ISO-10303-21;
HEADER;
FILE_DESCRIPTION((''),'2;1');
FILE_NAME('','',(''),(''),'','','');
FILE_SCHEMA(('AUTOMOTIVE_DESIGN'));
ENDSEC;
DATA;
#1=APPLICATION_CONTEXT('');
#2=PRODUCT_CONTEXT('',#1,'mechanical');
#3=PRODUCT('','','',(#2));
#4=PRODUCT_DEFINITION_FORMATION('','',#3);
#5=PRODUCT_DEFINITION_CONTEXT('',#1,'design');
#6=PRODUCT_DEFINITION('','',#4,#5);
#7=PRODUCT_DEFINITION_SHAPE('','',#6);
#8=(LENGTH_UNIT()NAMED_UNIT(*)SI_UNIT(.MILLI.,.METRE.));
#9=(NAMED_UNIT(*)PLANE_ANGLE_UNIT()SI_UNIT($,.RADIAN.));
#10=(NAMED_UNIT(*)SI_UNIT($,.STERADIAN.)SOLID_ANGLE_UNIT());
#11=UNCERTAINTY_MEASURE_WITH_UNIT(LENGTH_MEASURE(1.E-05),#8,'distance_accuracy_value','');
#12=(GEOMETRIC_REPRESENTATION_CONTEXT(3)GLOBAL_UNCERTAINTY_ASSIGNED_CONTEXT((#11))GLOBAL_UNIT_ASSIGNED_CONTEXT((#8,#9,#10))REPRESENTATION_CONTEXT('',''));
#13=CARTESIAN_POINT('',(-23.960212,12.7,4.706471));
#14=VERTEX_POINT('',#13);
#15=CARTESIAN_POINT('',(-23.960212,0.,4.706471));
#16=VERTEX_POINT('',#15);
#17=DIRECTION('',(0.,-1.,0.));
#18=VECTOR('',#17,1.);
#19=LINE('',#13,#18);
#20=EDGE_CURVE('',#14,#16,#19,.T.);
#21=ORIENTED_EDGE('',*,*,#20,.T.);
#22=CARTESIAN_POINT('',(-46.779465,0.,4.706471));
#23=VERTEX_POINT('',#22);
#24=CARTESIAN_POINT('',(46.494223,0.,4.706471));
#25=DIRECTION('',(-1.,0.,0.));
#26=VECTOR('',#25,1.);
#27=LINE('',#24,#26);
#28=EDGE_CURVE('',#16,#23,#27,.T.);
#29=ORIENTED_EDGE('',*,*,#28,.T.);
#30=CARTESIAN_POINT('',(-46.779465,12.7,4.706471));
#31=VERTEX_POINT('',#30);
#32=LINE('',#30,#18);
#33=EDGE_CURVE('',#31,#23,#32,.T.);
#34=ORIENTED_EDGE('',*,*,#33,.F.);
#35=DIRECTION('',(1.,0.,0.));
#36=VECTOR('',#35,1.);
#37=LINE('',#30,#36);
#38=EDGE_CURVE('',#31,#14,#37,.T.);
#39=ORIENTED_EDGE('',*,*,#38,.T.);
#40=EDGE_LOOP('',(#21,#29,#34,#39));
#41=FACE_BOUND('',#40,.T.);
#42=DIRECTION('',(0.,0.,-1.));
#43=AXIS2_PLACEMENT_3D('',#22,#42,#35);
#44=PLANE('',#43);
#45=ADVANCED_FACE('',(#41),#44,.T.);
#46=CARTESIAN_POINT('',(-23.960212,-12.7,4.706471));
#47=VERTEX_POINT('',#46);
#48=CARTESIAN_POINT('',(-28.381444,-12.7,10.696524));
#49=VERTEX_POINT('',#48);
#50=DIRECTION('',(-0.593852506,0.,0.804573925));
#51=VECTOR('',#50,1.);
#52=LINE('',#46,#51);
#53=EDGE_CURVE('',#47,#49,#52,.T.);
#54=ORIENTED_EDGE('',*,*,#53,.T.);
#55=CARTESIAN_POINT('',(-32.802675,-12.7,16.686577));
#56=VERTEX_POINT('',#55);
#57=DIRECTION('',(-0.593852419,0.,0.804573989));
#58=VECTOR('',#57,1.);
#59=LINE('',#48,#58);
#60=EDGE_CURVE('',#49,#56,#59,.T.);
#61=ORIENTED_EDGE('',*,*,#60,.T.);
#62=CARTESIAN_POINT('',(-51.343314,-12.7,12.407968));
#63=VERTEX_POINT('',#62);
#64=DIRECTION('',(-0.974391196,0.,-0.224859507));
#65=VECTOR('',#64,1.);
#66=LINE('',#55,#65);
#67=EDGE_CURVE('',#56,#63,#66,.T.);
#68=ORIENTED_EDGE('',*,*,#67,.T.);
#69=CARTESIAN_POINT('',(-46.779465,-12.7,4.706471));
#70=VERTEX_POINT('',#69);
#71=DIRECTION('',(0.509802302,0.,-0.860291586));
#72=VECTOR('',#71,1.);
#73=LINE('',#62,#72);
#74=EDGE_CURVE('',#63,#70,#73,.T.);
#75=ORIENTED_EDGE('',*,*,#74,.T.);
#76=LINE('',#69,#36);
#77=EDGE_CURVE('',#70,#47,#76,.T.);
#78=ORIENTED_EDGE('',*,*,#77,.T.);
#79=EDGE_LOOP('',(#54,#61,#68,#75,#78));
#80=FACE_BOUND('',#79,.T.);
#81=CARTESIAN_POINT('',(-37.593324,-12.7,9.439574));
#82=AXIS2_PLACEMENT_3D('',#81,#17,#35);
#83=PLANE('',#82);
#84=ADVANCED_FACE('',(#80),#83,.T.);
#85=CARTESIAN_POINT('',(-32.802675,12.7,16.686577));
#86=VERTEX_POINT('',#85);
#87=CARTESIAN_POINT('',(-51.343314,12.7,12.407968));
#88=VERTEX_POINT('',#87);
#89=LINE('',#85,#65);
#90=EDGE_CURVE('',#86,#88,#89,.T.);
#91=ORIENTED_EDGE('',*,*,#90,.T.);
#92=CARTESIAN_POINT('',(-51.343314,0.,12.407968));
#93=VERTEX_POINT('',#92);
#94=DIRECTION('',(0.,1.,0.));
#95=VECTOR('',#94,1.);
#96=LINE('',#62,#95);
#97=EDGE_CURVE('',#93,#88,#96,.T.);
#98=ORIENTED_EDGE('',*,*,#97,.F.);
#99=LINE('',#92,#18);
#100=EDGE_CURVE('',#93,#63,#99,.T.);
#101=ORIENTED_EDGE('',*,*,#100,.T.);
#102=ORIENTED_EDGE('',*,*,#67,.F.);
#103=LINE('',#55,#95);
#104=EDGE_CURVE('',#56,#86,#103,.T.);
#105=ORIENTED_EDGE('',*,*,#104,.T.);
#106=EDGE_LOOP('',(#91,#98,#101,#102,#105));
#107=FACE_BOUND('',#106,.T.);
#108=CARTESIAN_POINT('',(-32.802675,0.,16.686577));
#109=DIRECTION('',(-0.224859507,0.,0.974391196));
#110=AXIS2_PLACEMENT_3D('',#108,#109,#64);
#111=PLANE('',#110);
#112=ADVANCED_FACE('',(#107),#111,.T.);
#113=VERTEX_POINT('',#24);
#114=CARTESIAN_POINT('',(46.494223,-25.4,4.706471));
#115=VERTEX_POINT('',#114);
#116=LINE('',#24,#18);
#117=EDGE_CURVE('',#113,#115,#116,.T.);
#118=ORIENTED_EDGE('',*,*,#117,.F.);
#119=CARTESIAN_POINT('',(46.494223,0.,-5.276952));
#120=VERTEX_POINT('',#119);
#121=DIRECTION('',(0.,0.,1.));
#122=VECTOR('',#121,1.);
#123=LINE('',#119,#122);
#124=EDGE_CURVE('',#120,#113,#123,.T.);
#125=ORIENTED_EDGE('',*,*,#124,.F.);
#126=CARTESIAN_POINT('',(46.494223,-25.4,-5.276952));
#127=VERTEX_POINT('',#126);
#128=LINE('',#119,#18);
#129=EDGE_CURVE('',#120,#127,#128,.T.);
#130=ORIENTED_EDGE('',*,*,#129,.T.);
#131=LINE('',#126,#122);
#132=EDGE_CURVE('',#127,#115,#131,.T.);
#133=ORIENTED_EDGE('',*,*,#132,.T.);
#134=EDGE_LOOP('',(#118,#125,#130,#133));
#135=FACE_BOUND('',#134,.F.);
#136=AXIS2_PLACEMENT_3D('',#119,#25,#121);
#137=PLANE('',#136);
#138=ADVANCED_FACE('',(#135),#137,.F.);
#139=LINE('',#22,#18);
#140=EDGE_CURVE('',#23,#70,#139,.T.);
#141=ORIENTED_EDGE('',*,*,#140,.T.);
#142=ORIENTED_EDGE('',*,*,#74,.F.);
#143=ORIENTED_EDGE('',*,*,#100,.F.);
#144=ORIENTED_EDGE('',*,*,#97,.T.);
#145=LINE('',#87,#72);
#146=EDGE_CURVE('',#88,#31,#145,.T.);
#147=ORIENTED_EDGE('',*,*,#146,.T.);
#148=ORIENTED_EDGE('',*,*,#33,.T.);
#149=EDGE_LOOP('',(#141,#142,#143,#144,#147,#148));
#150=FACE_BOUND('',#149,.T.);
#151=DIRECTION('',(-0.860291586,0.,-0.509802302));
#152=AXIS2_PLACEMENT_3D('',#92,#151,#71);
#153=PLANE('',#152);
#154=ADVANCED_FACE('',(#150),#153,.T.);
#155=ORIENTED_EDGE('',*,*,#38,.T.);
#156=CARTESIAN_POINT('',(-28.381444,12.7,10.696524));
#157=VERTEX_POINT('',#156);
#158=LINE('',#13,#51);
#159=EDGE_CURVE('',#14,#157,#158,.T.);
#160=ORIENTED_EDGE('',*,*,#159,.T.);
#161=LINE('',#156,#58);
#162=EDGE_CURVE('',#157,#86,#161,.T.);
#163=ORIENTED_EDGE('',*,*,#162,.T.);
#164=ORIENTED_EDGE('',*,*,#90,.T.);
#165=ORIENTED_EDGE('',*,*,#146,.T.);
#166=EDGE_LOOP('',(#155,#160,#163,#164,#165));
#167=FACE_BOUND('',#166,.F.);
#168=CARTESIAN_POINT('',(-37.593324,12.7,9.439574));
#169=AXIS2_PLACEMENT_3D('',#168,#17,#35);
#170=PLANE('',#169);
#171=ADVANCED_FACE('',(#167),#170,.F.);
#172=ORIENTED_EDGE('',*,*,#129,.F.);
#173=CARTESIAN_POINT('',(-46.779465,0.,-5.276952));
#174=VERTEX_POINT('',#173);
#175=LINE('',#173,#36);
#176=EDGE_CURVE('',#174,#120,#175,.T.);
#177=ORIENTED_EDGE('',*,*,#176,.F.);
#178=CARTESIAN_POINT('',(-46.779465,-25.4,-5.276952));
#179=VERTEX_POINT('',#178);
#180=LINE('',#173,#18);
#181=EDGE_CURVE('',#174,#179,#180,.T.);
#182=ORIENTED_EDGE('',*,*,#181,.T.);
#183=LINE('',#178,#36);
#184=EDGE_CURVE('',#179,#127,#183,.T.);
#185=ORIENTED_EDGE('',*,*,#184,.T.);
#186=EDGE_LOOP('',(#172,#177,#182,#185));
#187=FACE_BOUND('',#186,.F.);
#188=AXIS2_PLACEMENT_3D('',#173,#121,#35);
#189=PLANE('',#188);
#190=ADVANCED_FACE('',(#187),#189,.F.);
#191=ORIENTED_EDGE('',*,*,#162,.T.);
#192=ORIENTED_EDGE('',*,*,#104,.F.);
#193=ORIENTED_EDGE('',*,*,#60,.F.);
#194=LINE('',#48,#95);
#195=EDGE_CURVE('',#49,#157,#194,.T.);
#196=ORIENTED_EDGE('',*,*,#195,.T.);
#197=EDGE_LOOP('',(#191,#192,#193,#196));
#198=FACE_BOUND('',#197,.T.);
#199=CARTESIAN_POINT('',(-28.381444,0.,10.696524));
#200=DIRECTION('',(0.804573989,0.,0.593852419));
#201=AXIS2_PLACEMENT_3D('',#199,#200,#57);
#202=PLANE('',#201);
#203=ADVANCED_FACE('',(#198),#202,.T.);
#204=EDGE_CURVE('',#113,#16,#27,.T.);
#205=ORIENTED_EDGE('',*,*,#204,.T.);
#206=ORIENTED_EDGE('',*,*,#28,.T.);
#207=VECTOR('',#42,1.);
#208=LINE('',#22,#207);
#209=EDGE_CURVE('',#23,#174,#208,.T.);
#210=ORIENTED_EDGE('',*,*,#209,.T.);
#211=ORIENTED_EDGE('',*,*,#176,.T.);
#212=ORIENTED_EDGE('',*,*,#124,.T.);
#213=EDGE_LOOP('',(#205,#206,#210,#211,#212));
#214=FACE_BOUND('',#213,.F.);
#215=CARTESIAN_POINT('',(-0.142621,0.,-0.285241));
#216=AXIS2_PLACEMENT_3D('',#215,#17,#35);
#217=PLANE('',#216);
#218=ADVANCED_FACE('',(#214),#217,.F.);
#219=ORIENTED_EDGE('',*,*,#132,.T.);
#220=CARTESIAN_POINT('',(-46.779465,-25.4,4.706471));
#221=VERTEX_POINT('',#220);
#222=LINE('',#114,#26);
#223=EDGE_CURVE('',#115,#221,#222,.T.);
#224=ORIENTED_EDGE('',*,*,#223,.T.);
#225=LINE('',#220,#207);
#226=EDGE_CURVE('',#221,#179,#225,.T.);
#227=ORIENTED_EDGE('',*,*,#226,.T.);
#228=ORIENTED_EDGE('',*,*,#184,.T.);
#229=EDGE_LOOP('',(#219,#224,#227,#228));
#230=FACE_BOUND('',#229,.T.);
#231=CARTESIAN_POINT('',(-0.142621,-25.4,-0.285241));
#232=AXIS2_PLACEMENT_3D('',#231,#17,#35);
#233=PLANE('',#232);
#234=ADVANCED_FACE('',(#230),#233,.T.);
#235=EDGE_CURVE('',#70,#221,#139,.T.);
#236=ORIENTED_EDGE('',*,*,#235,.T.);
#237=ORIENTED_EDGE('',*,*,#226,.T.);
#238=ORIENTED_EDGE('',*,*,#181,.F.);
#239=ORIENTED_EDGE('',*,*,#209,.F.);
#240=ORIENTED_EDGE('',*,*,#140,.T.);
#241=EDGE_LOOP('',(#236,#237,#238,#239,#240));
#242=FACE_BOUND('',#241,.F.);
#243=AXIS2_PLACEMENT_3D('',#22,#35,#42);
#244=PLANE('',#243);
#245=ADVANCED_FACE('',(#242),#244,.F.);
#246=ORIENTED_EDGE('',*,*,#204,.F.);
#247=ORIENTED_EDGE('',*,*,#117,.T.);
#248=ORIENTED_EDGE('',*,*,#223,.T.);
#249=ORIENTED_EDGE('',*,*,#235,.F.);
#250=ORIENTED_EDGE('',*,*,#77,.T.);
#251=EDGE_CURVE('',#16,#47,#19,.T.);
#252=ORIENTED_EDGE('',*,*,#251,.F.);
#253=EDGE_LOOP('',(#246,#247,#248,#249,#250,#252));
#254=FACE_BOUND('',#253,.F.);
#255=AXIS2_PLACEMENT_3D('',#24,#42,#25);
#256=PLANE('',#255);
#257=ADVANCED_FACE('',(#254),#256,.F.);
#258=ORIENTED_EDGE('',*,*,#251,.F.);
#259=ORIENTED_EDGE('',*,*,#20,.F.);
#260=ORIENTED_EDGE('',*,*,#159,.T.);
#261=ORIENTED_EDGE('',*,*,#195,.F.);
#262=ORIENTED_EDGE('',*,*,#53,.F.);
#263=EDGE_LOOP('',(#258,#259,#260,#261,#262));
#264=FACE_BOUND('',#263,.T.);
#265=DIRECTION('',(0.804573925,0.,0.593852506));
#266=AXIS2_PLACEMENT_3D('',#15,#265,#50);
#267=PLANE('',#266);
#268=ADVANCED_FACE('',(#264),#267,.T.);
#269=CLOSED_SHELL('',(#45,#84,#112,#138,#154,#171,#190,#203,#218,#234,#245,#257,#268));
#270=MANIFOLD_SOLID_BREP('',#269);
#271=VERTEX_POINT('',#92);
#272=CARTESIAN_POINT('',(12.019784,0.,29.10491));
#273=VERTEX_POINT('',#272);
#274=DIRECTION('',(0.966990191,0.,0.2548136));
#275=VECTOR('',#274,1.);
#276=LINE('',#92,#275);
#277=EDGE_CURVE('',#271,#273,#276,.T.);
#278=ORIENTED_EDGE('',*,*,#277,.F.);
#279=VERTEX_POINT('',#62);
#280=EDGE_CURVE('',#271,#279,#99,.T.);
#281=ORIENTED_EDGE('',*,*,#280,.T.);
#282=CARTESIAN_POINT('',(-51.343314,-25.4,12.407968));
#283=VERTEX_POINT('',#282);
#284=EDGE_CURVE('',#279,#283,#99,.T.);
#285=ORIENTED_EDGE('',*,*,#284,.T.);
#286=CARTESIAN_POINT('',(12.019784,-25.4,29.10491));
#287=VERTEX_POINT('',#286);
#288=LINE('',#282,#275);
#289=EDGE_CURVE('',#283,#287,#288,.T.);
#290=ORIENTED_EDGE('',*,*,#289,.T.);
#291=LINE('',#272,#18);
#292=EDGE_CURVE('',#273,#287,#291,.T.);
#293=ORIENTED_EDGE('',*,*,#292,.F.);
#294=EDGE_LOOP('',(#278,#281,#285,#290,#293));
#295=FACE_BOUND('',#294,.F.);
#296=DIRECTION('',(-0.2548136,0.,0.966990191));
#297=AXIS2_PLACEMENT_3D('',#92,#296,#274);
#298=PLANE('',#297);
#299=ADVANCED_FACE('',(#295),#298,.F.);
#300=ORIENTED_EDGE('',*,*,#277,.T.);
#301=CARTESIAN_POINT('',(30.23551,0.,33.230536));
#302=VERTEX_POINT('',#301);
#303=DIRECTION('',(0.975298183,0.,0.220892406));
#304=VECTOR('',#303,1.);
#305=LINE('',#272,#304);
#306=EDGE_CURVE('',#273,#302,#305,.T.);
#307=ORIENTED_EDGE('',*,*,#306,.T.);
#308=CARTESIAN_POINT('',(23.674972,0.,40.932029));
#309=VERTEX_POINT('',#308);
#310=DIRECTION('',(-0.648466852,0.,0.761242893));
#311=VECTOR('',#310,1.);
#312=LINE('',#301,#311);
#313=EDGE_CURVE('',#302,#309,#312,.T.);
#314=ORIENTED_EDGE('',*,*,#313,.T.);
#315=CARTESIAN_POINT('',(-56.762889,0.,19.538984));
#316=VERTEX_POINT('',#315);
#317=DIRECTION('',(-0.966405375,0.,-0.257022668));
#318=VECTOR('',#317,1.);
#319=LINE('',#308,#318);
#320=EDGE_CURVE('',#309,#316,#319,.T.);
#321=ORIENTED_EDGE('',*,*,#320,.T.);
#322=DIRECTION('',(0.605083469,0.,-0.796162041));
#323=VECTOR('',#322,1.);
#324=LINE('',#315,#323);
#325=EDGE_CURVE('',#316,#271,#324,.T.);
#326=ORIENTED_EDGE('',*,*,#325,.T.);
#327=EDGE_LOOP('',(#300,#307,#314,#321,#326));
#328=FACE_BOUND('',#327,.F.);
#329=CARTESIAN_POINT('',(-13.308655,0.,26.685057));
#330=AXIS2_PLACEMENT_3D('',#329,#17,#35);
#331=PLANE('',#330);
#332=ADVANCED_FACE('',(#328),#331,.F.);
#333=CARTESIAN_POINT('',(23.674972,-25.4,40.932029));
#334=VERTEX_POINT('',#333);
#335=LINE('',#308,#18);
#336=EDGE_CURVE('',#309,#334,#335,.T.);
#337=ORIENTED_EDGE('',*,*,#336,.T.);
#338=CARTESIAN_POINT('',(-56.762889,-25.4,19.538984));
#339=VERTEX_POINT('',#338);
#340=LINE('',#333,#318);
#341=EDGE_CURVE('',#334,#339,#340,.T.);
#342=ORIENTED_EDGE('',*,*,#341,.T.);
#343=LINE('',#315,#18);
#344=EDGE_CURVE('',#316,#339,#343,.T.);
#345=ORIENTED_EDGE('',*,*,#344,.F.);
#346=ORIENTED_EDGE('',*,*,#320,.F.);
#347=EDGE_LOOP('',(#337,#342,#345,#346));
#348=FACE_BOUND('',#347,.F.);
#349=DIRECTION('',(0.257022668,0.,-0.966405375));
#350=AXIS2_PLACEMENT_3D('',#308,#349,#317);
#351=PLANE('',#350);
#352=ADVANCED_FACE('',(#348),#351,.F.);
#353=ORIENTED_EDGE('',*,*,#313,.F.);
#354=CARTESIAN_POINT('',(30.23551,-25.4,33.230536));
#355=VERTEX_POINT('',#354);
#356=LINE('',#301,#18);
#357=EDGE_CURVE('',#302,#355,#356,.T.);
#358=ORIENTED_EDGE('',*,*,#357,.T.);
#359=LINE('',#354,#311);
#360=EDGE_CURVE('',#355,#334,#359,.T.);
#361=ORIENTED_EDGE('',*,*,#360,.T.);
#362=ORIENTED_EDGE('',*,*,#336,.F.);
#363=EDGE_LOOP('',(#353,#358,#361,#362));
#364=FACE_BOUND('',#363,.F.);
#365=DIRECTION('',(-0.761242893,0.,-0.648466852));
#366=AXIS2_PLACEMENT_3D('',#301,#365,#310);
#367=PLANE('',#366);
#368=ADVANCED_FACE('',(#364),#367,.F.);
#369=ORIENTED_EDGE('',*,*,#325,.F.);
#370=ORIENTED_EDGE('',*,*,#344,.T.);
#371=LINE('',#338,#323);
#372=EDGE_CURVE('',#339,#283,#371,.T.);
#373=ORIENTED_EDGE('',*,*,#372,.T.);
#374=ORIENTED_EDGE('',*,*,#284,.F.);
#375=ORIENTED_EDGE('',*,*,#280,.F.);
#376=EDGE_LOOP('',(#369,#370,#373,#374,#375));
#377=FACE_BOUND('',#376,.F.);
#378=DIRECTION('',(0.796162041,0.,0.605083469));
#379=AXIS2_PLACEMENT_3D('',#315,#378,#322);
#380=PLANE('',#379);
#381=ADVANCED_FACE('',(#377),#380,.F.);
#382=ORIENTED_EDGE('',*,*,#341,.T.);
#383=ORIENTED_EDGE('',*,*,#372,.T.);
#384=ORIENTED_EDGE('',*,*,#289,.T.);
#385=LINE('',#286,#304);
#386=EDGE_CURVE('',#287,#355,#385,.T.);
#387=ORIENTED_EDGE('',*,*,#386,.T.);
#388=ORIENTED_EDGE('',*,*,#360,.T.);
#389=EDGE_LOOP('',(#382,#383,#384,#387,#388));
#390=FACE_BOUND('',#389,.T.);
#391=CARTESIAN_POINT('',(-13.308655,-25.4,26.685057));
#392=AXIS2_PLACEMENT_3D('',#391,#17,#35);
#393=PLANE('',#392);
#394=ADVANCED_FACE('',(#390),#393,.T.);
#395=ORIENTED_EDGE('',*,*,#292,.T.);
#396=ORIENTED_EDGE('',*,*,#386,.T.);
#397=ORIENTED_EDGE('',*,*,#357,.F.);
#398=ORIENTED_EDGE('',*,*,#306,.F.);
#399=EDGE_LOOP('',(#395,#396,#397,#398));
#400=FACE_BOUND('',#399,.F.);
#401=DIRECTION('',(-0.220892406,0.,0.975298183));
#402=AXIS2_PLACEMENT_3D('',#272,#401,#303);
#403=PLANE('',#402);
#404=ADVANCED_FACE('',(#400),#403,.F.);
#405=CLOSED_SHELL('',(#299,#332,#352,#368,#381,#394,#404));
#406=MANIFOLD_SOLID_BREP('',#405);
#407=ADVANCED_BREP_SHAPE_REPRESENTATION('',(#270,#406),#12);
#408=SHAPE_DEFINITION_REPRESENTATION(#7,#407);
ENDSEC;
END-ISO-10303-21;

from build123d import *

# Parameters (mm, degrees)
F1_DEPTH = 25.4
F2_DEPTH = 12.7


with BuildPart() as f1:
    # F0 (on Front) → F1 (new body)
    with BuildSketch(Plane.XZ):
        Polygon((-56.762889, 19.538984), (-51.343314, 12.407968), (12.019784, 29.10491), (30.23551, 33.230536), (23.674972, 40.932029), align=None)
        Polygon((-23.960212, 4.706471), (-46.779465, 4.706471), (-46.779465, -5.276952), (46.494223, -5.276952), (46.494223, 4.706471), align=None)
    extrude(amount=F1_DEPTH)

    # F0 (on Front) → F2 (join, symmetric)
    with BuildSketch(Plane.XZ):
        Polygon((-51.343314, 12.407968), (-46.779465, 4.706471), (-23.960212, 4.706471), (-28.381444, 10.696524), (-32.802675, 16.686577), align=None)
    extrude(amount=F2_DEPTH, both=True)


solid = f1.part
